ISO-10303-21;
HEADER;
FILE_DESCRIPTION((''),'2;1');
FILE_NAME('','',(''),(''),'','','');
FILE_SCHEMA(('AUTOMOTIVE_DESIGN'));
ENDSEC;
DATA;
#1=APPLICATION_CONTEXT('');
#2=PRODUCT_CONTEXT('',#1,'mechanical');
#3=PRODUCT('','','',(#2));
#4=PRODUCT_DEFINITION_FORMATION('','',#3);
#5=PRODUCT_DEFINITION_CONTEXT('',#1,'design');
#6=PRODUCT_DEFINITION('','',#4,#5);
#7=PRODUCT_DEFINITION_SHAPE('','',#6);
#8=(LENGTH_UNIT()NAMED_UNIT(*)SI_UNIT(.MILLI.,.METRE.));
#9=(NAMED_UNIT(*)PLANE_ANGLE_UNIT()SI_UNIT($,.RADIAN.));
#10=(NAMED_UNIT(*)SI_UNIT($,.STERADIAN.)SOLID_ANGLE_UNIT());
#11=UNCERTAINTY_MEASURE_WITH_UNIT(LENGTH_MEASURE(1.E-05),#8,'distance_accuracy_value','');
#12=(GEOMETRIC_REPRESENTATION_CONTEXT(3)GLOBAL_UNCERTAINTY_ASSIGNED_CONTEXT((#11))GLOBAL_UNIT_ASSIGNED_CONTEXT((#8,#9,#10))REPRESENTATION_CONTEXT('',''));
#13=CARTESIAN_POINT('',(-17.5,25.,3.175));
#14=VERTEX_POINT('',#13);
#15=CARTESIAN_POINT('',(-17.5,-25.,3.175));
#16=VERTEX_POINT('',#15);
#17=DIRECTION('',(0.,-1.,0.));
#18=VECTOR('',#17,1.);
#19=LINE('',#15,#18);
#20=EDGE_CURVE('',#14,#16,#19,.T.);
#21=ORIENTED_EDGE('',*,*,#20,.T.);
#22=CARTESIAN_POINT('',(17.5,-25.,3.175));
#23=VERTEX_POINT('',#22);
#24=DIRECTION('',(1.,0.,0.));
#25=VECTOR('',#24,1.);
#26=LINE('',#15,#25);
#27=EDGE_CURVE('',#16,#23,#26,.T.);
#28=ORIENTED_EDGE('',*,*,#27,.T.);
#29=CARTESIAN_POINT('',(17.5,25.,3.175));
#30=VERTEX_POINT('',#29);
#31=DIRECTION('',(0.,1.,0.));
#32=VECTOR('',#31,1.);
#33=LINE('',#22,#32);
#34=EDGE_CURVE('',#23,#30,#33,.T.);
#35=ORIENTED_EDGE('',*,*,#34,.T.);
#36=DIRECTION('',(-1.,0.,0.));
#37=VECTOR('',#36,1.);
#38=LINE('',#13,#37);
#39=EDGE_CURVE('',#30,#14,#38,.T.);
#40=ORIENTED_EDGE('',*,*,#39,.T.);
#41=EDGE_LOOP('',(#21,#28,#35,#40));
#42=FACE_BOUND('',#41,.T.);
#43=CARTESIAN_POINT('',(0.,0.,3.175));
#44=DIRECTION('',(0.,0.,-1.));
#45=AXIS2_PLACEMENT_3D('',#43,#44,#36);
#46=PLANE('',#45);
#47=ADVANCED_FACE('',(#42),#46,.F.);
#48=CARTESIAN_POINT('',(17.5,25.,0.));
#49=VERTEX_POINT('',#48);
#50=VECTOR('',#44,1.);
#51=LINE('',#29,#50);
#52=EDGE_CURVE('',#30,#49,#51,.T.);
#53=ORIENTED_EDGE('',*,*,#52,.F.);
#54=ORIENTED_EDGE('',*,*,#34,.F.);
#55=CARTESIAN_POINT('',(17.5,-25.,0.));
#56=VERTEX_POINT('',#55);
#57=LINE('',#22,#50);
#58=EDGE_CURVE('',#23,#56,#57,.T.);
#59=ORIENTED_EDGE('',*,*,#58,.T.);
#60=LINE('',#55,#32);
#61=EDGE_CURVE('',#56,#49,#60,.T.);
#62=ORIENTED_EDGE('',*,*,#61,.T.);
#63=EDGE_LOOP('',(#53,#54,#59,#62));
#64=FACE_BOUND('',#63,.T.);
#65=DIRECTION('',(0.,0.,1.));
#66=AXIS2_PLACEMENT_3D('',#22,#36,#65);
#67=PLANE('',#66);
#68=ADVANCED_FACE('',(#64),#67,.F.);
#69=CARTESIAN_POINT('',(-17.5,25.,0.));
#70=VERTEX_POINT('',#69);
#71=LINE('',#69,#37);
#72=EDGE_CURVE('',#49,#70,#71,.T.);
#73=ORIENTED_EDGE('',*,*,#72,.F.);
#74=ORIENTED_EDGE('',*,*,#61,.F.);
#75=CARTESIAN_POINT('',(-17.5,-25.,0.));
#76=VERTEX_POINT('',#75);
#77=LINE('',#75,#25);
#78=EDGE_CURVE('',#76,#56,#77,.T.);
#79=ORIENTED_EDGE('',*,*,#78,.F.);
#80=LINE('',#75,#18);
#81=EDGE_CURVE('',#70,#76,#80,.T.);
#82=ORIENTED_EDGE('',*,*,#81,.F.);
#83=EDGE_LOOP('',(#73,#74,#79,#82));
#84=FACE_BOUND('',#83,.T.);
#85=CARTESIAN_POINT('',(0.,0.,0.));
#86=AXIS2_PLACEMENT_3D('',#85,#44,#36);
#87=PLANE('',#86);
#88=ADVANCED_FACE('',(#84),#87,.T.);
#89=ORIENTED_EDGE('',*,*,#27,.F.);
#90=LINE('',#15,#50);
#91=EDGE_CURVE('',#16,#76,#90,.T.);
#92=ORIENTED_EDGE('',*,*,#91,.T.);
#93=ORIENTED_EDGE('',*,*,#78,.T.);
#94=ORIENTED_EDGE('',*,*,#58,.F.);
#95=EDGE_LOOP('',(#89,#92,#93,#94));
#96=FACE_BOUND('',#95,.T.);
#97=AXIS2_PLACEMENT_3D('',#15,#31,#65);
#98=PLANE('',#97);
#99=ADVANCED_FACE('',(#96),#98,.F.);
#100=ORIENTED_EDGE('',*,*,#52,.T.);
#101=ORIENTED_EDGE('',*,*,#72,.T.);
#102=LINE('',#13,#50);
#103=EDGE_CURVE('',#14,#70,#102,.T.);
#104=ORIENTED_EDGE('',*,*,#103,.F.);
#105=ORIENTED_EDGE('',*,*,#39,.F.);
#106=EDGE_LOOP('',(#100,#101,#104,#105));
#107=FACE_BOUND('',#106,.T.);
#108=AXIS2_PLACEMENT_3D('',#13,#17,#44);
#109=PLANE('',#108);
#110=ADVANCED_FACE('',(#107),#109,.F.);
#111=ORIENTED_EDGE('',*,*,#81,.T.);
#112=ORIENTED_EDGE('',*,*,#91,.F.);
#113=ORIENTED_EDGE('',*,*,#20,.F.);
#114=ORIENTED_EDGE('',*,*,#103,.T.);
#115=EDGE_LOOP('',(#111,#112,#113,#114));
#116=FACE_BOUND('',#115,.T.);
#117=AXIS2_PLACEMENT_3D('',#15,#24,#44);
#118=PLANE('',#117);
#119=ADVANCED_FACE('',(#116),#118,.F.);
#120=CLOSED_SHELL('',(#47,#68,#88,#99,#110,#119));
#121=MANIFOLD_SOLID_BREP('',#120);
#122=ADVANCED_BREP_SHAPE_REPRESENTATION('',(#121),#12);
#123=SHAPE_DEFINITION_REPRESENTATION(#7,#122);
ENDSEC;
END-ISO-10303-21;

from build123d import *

# Parameters (mm, degrees)
SKETCH1_W           = 35
SKETCH1_H           = 50
BOSS_EXTRUDE1_DEPTH = 3.175


with BuildPart() as part:
    # Sketch1 → Boss-Extrude1 (new body)
    with BuildSketch(Plane.XY):
        Rectangle(SKETCH1_W, SKETCH1_H)
    extrude(amount=BOSS_EXTRUDE1_DEPTH)


solid = part.part
